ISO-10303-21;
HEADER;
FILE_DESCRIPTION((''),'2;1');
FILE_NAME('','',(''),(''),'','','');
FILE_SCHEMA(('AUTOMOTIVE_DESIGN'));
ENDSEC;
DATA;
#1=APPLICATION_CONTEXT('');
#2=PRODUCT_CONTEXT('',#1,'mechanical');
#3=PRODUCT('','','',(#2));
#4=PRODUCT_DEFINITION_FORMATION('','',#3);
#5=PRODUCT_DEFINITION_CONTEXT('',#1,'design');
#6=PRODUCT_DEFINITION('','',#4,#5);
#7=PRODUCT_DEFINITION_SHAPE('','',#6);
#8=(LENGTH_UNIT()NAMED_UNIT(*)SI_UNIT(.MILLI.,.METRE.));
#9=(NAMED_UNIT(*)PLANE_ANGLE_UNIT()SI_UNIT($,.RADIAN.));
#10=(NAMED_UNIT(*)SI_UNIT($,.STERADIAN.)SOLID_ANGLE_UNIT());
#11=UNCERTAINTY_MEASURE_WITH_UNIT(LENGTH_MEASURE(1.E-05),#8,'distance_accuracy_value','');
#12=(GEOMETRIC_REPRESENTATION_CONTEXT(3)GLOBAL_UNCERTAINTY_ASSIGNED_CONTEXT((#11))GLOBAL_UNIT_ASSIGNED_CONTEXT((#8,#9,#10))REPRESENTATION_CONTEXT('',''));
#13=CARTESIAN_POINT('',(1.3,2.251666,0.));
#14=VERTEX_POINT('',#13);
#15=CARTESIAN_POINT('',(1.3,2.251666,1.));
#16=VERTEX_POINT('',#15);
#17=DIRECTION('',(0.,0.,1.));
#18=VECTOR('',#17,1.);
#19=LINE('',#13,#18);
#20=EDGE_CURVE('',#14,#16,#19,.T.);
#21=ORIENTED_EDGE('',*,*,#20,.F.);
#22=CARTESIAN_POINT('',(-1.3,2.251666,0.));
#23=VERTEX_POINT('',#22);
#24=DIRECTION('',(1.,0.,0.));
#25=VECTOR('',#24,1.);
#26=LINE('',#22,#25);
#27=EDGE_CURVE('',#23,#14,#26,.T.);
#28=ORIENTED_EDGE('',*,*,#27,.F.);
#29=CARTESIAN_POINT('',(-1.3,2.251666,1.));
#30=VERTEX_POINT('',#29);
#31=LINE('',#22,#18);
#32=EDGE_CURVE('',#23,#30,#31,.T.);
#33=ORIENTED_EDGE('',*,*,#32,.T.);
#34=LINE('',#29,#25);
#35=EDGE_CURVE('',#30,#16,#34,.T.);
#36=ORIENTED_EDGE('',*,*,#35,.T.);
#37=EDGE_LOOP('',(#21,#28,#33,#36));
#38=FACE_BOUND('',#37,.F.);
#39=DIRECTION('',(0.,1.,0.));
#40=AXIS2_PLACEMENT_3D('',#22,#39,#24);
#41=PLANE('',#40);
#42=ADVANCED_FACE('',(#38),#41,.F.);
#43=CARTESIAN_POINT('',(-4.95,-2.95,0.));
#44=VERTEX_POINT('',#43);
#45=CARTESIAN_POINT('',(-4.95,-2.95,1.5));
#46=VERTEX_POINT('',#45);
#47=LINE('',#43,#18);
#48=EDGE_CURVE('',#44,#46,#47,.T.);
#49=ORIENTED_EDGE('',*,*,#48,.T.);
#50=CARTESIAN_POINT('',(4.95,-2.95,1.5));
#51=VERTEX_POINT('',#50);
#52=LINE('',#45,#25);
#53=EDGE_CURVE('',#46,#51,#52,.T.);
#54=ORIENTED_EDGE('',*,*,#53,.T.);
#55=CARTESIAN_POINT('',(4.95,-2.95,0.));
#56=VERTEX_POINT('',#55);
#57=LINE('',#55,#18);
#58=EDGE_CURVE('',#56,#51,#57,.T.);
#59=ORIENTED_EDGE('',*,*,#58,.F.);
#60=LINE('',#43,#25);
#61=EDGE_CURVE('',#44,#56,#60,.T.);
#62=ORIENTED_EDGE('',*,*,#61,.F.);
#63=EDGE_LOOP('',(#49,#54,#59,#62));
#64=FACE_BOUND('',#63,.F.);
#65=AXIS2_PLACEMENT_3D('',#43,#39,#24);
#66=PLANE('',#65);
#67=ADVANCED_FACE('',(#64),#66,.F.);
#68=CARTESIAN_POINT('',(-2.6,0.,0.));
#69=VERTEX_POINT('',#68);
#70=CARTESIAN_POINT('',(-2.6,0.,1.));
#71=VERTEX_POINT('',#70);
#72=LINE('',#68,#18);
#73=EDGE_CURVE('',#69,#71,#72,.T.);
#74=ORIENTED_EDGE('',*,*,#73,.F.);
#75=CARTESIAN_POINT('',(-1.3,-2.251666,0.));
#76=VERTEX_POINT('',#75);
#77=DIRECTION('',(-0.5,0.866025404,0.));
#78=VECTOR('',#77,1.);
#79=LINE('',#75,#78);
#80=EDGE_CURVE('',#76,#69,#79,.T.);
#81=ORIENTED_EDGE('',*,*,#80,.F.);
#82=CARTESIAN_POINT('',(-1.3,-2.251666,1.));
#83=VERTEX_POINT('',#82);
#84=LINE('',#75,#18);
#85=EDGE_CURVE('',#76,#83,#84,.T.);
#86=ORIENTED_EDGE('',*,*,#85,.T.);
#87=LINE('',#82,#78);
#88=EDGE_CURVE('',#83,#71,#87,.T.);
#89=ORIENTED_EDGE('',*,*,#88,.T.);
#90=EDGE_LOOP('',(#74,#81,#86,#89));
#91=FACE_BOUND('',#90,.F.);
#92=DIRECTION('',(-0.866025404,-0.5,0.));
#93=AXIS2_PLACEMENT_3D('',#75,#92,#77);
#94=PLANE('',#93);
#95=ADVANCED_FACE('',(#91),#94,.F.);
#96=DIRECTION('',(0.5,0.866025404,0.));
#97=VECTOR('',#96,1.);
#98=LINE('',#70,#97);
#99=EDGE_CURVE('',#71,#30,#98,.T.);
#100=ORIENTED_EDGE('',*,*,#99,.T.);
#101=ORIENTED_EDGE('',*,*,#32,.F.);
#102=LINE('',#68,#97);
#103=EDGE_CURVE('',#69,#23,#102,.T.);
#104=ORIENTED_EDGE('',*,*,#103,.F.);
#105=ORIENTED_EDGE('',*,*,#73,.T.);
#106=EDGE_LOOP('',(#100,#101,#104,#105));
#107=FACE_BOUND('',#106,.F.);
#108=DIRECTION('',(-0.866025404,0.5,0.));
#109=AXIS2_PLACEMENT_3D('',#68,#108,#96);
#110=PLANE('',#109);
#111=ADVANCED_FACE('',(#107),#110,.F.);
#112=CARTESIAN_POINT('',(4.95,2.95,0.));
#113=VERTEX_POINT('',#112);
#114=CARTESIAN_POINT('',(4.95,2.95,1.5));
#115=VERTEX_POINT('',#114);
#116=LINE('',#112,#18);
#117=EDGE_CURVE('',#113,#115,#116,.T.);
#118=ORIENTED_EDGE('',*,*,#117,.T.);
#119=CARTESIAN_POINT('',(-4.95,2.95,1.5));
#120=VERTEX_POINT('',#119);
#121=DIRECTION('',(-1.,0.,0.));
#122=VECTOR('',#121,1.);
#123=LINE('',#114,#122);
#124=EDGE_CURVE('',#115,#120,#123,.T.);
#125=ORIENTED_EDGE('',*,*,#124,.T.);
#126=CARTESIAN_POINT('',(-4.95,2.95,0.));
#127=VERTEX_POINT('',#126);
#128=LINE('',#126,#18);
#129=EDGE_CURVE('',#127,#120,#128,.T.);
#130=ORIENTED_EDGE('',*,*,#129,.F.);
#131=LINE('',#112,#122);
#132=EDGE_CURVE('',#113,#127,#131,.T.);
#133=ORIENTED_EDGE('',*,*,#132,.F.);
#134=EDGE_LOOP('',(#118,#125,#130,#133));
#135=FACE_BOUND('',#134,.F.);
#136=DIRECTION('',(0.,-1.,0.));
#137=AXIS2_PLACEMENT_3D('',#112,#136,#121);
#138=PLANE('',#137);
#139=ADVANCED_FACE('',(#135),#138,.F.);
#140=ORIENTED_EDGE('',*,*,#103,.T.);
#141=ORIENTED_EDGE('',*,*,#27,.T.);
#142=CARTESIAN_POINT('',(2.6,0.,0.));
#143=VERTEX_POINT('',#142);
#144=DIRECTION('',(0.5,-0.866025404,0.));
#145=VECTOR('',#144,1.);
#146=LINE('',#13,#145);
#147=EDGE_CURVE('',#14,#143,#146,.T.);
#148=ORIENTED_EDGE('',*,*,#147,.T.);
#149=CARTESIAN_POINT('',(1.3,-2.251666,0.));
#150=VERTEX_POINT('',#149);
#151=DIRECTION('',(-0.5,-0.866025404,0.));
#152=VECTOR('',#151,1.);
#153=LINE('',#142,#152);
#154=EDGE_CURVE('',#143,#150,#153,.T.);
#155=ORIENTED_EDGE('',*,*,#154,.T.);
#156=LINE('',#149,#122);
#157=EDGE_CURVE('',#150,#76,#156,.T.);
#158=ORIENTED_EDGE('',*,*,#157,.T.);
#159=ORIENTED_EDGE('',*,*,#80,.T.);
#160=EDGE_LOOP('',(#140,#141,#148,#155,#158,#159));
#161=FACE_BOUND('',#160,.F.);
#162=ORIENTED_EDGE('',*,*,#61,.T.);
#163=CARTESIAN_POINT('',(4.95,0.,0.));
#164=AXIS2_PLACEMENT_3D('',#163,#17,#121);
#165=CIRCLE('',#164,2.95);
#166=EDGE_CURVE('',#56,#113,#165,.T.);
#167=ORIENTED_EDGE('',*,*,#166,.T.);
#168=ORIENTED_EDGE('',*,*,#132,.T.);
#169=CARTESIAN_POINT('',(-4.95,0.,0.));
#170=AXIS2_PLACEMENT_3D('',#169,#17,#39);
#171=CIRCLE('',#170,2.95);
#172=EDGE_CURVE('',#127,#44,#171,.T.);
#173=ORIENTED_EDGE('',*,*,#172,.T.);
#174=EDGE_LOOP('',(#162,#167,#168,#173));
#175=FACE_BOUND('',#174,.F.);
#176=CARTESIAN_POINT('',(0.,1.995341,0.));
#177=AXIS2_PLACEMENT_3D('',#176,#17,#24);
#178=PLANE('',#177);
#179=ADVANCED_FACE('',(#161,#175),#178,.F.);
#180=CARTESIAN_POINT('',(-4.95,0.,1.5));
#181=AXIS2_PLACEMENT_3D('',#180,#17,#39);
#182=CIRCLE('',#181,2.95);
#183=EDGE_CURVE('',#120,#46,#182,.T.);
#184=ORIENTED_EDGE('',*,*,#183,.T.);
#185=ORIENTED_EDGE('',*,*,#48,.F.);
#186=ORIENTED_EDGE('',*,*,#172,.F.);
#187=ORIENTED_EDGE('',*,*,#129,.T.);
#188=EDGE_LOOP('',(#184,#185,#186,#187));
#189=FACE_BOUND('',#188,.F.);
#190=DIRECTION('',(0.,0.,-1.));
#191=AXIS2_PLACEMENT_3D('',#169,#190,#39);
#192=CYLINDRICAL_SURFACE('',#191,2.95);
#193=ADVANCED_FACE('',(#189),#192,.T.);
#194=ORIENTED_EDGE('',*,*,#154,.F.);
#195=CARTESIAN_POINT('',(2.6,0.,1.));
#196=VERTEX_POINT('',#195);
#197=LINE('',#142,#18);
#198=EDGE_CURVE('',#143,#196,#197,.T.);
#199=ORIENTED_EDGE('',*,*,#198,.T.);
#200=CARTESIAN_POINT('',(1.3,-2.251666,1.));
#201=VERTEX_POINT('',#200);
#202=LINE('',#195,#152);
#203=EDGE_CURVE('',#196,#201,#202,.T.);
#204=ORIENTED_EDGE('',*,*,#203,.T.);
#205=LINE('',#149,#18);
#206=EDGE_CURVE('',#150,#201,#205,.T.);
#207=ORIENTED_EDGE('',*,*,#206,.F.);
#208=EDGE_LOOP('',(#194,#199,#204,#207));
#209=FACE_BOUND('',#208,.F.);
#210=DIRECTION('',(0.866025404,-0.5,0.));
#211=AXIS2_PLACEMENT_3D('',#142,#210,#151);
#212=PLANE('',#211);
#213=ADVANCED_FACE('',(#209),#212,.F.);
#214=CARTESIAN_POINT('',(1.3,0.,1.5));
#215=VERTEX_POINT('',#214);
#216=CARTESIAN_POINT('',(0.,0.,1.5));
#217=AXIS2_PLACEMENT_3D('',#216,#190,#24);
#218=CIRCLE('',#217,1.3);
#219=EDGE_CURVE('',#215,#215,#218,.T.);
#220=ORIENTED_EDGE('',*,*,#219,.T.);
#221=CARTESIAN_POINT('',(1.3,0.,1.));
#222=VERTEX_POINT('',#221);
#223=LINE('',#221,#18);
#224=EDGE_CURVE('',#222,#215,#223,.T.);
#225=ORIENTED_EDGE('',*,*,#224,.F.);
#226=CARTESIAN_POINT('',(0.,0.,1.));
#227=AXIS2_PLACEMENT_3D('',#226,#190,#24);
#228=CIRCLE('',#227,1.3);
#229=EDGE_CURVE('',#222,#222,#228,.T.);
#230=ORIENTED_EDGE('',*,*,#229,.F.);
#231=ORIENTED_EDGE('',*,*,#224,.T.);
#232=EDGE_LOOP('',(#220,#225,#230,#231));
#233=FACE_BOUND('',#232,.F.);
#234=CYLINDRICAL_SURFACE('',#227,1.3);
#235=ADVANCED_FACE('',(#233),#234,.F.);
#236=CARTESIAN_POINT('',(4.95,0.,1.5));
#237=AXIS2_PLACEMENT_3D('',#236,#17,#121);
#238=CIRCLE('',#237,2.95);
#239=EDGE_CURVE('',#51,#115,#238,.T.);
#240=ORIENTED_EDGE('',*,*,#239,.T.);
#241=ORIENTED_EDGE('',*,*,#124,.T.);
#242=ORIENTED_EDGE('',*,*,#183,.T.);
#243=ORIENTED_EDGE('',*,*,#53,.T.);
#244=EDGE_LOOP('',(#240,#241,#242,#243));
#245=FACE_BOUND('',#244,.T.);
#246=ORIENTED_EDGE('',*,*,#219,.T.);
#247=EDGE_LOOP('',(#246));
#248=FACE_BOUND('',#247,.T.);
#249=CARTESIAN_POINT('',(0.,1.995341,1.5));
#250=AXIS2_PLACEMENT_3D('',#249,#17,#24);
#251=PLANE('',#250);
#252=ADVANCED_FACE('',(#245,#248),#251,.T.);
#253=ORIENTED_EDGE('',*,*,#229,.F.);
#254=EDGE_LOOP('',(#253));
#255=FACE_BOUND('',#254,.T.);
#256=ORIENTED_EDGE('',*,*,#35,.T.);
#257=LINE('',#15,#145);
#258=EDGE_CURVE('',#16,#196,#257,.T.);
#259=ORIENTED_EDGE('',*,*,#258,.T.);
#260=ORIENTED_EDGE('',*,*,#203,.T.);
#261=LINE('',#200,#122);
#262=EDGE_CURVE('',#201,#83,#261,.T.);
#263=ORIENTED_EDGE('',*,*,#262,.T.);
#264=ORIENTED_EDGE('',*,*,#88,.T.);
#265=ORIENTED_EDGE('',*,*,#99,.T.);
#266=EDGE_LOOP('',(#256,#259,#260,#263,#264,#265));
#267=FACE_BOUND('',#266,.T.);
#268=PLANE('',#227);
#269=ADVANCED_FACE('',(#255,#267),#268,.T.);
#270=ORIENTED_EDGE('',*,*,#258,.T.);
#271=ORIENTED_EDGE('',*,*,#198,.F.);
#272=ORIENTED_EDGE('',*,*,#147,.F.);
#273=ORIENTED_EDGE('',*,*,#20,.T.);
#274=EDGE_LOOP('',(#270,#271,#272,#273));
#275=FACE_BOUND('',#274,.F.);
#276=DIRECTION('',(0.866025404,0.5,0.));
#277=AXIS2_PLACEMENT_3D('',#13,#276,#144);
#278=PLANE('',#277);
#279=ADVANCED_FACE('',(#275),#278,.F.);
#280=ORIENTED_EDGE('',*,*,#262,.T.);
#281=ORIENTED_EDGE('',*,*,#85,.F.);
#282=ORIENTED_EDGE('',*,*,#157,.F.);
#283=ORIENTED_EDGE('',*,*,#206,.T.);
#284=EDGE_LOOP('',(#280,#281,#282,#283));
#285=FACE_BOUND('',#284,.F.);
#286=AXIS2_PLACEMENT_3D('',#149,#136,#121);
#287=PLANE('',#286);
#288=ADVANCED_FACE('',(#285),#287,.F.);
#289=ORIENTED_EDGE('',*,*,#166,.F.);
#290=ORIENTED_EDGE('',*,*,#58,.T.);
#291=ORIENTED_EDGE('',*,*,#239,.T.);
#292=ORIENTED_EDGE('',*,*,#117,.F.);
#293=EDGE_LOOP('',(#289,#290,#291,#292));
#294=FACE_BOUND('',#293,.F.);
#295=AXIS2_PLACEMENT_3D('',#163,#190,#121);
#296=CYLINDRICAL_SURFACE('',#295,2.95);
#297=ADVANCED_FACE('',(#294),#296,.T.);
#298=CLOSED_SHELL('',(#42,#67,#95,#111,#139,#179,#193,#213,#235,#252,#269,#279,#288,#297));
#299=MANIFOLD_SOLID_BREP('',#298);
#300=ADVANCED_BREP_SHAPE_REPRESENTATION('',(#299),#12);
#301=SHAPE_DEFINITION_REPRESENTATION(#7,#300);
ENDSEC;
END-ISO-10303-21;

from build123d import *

# Parameters (mm, degrees)
F1_DEPTH = 1.5
F3_DEPTH = 1
F4_R     = 1.3
F5_DEPTH = 25


with BuildPart() as f1:
    # F0 (on Top) → F1 (new body)
    with BuildSketch(Plane.XY):
        with BuildLine():
            Line((-2, 0), (0, 0))
            Line((0, 0), (2, 0))
            ThreePointArc((2, 0), (2.8640349955, 2.0859650045), (4.95, 2.95))
            Line((4.95, 2.95), (-4.95, 2.95))
            ThreePointArc((-4.95, 2.95), (-2.8640349955, 2.0859650045), (-2, 0))
        make_face()
        with BuildLine():
            Line((2, 0), (0, 0))
            Line((0, 0), (-2, 0))
            ThreePointArc((-2, 0), (-2.8640349955, -2.0859650045), (-4.95, -2.95))
            Line((-4.95, -2.95), (4.95, -2.95))
            ThreePointArc((4.95, -2.95), (2.8640349955, -2.0859650045), (2, 0))
        make_face()
        with BuildLine():
            ThreePointArc((4.95, 2.95), (2.8640349955, 2.0859650045), (2, 0))
            Line((2, 0), (4.95, 0))
            Line((4.95, 0), (4.95, 2.95))
        make_face()
        with BuildLine():
            Line((4.95, 0), (2, 0))
            ThreePointArc((2, 0), (2.8640349955, -2.0859650045), (4.95, -2.95))
            ThreePointArc((4.95, -2.95), (7.0359650045, -2.0859650045), (7.9, 0))
            ThreePointArc((7.9, 0), (7.0359650045, 2.0859650045), (4.95, 2.95))
            Line((4.95, 2.95), (4.95, 0))
        make_face()
        with BuildLine():
            ThreePointArc((-4.95, -2.95), (-2.8640349955, -2.0859650045), (-2, 0))
            ThreePointArc((-2, 0), (-2.8640349955, 2.0859650045), (-4.95, 2.95))
            ThreePointArc((-4.95, 2.95), (-7.9, 0), (-4.95, -2.95))
        make_face()
    extrude(amount=F1_DEPTH)

    # F2 (on face) → F3 (cut)
    with BuildSketch(Plane(origin=(0, 0, 0), x_dir=(1, 0, 0), z_dir=(0, 0, -1))):
        Polygon((1.3, -2.2516660498), (2.6, 0), (1.3, 2.2516660498), (-1.3, 2.2516660498), (-2.6, 0), (-1.3, -2.2516660498), align=None)
    extrude(amount=-F3_DEPTH, mode=Mode.SUBTRACT)

    # F4 (on face) → F5 (cut)
    with BuildSketch(Plane(origin=(0, 0, 1), x_dir=(1, 0, 0), z_dir=(0, 0, -1))):
        Circle(F4_R)
    extrude(amount=-F5_DEPTH, mode=Mode.SUBTRACT)


solid = f1.part
